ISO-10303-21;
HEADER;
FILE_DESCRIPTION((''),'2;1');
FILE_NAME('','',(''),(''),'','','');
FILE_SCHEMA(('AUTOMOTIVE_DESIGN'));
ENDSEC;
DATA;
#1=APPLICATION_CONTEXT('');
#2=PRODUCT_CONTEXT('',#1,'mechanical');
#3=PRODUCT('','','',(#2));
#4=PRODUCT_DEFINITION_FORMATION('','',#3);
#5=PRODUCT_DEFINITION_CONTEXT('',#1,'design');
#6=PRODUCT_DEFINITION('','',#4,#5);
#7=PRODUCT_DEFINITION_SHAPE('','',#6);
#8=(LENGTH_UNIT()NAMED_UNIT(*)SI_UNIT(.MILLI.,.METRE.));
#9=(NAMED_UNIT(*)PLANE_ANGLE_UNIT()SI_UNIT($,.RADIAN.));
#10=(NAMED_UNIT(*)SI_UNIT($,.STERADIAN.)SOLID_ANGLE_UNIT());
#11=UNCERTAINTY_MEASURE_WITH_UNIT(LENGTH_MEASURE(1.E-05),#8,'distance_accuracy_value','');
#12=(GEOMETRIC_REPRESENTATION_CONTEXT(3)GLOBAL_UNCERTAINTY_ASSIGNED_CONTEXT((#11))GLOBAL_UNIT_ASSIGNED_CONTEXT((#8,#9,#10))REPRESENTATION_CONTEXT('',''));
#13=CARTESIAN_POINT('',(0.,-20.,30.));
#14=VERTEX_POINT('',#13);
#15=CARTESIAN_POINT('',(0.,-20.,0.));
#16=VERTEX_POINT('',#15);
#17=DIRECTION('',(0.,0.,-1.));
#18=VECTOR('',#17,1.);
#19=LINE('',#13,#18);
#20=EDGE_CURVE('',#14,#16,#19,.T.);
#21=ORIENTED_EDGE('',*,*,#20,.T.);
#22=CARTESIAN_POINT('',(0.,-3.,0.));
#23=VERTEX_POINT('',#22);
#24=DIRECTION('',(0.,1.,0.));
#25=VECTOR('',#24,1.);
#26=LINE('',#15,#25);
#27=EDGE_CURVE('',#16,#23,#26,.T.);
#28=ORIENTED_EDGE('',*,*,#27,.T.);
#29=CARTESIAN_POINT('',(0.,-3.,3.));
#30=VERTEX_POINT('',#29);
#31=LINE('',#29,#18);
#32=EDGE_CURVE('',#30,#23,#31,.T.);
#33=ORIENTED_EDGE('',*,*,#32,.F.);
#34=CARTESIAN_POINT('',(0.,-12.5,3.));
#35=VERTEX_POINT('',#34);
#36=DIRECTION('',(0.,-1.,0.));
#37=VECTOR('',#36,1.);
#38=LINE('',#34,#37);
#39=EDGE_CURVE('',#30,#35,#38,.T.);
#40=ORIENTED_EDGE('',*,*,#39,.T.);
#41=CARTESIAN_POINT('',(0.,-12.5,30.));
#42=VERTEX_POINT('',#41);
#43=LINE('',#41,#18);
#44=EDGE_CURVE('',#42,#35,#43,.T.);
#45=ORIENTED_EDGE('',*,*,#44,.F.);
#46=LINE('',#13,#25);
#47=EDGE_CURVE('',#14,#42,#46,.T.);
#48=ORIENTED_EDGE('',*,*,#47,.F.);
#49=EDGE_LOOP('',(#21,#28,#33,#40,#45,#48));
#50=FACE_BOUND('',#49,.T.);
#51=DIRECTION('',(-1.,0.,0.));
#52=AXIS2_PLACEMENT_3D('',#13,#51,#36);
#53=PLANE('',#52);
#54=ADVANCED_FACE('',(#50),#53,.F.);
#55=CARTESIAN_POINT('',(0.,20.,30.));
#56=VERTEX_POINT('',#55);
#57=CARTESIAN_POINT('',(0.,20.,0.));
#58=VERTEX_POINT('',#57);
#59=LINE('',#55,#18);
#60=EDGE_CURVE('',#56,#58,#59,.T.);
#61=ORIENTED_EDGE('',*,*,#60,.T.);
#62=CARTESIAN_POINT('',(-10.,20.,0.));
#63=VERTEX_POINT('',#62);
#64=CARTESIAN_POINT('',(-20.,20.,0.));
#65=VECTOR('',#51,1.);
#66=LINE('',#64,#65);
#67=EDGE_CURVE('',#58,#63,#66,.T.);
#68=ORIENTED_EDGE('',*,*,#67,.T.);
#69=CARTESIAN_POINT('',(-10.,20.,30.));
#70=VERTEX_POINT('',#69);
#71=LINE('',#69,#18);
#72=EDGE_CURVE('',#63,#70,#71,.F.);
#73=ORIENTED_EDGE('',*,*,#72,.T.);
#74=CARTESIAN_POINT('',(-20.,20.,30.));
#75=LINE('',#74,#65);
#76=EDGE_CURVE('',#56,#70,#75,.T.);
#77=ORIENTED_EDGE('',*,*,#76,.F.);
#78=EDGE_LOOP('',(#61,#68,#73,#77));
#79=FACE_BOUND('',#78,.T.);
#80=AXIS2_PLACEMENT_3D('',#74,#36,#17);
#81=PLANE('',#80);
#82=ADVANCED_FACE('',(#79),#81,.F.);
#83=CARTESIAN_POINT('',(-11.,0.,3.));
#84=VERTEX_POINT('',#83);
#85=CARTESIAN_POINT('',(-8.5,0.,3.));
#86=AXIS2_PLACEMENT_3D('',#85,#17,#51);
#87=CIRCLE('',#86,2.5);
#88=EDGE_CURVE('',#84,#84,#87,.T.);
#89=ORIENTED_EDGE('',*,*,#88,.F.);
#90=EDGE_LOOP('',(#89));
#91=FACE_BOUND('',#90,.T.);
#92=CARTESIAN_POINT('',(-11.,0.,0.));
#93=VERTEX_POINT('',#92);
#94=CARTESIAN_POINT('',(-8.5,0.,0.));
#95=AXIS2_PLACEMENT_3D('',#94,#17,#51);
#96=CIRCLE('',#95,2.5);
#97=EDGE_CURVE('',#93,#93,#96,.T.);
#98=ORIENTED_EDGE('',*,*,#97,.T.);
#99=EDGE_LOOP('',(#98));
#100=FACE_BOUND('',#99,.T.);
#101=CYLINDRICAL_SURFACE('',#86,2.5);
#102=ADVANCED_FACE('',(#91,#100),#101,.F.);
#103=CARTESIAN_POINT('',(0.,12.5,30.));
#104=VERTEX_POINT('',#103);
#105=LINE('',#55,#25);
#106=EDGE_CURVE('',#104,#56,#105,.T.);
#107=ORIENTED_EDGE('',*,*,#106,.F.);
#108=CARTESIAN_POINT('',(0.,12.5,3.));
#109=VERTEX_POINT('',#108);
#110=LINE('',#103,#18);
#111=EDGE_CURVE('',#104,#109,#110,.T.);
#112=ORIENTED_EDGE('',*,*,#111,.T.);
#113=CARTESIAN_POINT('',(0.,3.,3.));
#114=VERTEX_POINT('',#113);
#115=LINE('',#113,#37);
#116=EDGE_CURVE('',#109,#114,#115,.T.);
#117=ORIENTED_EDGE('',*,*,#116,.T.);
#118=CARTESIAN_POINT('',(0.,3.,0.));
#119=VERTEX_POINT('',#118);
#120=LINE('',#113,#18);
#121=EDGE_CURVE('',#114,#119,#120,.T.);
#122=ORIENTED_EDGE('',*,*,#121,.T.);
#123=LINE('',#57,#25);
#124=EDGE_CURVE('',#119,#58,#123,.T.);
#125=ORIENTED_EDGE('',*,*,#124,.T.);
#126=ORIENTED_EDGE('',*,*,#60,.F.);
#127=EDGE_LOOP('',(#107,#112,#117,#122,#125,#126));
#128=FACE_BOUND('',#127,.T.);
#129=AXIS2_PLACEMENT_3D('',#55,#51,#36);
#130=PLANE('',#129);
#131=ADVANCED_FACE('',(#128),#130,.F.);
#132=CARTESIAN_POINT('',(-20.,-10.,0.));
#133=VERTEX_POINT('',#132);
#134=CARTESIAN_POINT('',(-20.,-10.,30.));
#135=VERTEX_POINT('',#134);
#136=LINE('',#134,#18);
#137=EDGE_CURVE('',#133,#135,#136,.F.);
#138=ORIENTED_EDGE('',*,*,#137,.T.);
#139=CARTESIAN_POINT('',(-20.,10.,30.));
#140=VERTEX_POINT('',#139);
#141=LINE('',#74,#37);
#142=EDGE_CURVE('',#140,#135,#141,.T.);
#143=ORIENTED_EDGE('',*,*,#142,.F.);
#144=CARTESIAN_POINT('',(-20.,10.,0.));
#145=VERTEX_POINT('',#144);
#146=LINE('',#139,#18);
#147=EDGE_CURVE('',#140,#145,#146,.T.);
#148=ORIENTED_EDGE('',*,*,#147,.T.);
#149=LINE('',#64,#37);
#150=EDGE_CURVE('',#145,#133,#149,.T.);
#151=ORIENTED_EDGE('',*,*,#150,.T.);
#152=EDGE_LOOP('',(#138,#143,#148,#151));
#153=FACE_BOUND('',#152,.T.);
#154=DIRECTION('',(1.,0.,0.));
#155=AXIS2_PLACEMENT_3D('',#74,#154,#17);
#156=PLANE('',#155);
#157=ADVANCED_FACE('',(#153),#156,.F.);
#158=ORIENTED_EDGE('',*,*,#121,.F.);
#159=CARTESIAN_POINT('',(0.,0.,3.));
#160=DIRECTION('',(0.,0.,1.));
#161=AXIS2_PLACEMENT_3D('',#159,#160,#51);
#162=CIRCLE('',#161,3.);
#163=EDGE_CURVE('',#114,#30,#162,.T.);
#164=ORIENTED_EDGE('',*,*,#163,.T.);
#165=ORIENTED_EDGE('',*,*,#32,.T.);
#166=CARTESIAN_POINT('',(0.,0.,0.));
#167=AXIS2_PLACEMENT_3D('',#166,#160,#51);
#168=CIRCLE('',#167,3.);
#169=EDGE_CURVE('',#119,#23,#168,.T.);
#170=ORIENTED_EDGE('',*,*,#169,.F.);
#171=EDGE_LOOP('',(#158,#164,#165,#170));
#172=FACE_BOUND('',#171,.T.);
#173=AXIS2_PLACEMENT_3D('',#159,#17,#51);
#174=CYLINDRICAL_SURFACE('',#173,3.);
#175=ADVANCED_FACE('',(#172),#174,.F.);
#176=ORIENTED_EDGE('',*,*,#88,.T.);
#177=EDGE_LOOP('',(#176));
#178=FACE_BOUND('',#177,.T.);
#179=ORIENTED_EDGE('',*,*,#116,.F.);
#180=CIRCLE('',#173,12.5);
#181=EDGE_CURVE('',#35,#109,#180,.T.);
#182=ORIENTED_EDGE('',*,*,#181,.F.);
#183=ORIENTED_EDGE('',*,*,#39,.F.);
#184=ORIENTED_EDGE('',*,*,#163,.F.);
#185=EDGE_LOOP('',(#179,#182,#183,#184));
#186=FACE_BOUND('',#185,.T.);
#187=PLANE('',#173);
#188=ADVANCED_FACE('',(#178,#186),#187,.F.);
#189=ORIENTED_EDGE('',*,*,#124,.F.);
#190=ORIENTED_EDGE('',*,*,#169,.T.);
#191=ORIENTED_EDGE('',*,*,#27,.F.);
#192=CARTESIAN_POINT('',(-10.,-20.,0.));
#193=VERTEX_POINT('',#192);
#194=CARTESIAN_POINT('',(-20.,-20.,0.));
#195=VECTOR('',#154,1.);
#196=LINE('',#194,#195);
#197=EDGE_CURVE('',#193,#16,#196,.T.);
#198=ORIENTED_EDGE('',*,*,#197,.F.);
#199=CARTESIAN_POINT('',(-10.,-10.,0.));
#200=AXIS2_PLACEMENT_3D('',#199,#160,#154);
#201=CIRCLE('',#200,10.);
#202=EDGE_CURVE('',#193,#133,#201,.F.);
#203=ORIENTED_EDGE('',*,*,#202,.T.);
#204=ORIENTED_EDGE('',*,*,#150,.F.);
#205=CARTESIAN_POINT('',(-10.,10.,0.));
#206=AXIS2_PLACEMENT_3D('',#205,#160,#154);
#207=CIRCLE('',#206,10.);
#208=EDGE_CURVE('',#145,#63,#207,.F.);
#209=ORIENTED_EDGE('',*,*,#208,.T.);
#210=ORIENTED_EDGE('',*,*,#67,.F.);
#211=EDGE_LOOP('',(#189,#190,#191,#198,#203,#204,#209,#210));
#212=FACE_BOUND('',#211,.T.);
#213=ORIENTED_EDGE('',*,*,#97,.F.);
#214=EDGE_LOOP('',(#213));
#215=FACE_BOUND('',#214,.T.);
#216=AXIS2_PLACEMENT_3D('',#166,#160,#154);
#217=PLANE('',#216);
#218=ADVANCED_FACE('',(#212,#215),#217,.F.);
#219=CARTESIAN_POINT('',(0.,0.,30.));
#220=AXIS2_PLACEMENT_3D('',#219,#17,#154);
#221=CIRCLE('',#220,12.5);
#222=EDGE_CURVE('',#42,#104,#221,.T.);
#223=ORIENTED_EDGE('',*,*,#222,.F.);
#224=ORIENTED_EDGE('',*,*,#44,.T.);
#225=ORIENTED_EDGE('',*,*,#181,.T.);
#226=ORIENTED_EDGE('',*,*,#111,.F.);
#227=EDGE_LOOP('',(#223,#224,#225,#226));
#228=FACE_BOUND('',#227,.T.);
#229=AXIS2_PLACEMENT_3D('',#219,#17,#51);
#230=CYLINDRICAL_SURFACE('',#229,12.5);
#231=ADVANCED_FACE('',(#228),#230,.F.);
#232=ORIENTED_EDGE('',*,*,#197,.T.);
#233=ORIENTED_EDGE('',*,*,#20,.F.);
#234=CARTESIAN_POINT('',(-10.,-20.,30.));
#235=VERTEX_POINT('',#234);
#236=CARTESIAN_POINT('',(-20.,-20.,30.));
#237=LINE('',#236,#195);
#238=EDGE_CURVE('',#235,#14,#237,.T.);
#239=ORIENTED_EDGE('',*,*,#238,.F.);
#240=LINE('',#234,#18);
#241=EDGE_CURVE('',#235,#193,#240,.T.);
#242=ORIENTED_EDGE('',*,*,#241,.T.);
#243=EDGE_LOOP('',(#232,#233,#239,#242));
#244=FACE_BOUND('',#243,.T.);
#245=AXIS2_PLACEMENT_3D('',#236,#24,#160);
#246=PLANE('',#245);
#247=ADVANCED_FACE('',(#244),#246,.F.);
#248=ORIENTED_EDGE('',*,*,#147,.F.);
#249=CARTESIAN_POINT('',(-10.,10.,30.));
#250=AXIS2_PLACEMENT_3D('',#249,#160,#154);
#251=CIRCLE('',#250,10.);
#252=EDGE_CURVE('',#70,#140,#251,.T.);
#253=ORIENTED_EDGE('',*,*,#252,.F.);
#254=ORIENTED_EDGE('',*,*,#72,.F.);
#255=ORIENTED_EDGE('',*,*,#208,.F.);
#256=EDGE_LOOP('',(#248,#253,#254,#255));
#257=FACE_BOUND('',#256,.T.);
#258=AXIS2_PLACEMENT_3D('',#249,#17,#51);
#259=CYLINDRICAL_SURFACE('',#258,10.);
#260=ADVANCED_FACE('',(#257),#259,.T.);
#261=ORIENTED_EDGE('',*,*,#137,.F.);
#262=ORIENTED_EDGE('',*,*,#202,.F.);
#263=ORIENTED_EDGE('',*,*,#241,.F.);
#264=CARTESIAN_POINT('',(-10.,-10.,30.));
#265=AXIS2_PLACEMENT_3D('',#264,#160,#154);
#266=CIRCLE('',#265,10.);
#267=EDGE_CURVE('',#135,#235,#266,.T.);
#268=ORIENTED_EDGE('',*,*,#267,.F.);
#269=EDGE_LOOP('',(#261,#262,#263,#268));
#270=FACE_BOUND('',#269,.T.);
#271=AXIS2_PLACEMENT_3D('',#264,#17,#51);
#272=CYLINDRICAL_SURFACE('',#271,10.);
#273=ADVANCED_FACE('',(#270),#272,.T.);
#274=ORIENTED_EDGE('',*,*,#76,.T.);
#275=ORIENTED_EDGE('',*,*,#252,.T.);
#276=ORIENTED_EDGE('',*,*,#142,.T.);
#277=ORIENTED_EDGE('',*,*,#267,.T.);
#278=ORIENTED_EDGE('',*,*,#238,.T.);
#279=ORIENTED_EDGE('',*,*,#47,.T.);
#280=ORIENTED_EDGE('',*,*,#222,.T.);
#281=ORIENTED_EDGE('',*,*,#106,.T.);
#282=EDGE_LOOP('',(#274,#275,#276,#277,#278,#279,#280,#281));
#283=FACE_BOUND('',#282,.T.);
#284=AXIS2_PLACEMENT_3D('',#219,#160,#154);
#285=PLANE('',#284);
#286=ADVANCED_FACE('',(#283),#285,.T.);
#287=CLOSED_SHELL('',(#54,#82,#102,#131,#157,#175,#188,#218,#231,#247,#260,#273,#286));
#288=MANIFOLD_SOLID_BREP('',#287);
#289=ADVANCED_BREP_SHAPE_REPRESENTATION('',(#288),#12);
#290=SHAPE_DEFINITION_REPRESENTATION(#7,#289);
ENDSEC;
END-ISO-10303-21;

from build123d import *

# Parameters (mm, degrees)
BOSS_EXTRUDE1_DEPTH = 30
SKETCH2_R           = 2.5
BOSS_EXTRUDE2_DEPTH = 3
FILLET1_R           = 10


with BuildPart() as part:
    # Sketch1 → Boss-Extrude1 (new body)
    with BuildSketch(Plane.XY):
        with BuildLine():
            Line((-20, 20), (0, 20))
            Line((0, 20), (0, 12.5))
            ThreePointArc((0, 12.5), (-12.5, 0), (0, -12.5))
            Line((0, -12.5), (0, -20))
            Line((0, -20), (-20, -20))
            Line((-20, -20), (-20, 20))
        make_face()
    extrude(amount=BOSS_EXTRUDE1_DEPTH)

    # Sketch2 → Boss-Extrude2 (add)
    with BuildSketch(Plane(origin=(0, 0, 0), x_dir=(-1, 0, 0), z_dir=(0, 0, -1))):
        with BuildLine():
            Line((0, -12.5), (0, -3))
            ThreePointArc((0, -3), (3, 0), (0, 3))
            Line((0, 3), (0, 12.5))
            ThreePointArc((0, 12.5), (12.5, 0), (0, -12.5))
        make_face()
        with Locations((8.5, 0)):
            Circle(SKETCH2_R, mode=Mode.SUBTRACT)
    extrude(amount=-BOSS_EXTRUDE2_DEPTH)

    # Fillet1
    fillet1_edges = [part.edges().sort_by_distance(p)[0] for p in [
        (-20, -20, 15),
        (-20, 20, 15),
    ]]
    fillet(fillet1_edges, radius=FILLET1_R)


solid = part.part
